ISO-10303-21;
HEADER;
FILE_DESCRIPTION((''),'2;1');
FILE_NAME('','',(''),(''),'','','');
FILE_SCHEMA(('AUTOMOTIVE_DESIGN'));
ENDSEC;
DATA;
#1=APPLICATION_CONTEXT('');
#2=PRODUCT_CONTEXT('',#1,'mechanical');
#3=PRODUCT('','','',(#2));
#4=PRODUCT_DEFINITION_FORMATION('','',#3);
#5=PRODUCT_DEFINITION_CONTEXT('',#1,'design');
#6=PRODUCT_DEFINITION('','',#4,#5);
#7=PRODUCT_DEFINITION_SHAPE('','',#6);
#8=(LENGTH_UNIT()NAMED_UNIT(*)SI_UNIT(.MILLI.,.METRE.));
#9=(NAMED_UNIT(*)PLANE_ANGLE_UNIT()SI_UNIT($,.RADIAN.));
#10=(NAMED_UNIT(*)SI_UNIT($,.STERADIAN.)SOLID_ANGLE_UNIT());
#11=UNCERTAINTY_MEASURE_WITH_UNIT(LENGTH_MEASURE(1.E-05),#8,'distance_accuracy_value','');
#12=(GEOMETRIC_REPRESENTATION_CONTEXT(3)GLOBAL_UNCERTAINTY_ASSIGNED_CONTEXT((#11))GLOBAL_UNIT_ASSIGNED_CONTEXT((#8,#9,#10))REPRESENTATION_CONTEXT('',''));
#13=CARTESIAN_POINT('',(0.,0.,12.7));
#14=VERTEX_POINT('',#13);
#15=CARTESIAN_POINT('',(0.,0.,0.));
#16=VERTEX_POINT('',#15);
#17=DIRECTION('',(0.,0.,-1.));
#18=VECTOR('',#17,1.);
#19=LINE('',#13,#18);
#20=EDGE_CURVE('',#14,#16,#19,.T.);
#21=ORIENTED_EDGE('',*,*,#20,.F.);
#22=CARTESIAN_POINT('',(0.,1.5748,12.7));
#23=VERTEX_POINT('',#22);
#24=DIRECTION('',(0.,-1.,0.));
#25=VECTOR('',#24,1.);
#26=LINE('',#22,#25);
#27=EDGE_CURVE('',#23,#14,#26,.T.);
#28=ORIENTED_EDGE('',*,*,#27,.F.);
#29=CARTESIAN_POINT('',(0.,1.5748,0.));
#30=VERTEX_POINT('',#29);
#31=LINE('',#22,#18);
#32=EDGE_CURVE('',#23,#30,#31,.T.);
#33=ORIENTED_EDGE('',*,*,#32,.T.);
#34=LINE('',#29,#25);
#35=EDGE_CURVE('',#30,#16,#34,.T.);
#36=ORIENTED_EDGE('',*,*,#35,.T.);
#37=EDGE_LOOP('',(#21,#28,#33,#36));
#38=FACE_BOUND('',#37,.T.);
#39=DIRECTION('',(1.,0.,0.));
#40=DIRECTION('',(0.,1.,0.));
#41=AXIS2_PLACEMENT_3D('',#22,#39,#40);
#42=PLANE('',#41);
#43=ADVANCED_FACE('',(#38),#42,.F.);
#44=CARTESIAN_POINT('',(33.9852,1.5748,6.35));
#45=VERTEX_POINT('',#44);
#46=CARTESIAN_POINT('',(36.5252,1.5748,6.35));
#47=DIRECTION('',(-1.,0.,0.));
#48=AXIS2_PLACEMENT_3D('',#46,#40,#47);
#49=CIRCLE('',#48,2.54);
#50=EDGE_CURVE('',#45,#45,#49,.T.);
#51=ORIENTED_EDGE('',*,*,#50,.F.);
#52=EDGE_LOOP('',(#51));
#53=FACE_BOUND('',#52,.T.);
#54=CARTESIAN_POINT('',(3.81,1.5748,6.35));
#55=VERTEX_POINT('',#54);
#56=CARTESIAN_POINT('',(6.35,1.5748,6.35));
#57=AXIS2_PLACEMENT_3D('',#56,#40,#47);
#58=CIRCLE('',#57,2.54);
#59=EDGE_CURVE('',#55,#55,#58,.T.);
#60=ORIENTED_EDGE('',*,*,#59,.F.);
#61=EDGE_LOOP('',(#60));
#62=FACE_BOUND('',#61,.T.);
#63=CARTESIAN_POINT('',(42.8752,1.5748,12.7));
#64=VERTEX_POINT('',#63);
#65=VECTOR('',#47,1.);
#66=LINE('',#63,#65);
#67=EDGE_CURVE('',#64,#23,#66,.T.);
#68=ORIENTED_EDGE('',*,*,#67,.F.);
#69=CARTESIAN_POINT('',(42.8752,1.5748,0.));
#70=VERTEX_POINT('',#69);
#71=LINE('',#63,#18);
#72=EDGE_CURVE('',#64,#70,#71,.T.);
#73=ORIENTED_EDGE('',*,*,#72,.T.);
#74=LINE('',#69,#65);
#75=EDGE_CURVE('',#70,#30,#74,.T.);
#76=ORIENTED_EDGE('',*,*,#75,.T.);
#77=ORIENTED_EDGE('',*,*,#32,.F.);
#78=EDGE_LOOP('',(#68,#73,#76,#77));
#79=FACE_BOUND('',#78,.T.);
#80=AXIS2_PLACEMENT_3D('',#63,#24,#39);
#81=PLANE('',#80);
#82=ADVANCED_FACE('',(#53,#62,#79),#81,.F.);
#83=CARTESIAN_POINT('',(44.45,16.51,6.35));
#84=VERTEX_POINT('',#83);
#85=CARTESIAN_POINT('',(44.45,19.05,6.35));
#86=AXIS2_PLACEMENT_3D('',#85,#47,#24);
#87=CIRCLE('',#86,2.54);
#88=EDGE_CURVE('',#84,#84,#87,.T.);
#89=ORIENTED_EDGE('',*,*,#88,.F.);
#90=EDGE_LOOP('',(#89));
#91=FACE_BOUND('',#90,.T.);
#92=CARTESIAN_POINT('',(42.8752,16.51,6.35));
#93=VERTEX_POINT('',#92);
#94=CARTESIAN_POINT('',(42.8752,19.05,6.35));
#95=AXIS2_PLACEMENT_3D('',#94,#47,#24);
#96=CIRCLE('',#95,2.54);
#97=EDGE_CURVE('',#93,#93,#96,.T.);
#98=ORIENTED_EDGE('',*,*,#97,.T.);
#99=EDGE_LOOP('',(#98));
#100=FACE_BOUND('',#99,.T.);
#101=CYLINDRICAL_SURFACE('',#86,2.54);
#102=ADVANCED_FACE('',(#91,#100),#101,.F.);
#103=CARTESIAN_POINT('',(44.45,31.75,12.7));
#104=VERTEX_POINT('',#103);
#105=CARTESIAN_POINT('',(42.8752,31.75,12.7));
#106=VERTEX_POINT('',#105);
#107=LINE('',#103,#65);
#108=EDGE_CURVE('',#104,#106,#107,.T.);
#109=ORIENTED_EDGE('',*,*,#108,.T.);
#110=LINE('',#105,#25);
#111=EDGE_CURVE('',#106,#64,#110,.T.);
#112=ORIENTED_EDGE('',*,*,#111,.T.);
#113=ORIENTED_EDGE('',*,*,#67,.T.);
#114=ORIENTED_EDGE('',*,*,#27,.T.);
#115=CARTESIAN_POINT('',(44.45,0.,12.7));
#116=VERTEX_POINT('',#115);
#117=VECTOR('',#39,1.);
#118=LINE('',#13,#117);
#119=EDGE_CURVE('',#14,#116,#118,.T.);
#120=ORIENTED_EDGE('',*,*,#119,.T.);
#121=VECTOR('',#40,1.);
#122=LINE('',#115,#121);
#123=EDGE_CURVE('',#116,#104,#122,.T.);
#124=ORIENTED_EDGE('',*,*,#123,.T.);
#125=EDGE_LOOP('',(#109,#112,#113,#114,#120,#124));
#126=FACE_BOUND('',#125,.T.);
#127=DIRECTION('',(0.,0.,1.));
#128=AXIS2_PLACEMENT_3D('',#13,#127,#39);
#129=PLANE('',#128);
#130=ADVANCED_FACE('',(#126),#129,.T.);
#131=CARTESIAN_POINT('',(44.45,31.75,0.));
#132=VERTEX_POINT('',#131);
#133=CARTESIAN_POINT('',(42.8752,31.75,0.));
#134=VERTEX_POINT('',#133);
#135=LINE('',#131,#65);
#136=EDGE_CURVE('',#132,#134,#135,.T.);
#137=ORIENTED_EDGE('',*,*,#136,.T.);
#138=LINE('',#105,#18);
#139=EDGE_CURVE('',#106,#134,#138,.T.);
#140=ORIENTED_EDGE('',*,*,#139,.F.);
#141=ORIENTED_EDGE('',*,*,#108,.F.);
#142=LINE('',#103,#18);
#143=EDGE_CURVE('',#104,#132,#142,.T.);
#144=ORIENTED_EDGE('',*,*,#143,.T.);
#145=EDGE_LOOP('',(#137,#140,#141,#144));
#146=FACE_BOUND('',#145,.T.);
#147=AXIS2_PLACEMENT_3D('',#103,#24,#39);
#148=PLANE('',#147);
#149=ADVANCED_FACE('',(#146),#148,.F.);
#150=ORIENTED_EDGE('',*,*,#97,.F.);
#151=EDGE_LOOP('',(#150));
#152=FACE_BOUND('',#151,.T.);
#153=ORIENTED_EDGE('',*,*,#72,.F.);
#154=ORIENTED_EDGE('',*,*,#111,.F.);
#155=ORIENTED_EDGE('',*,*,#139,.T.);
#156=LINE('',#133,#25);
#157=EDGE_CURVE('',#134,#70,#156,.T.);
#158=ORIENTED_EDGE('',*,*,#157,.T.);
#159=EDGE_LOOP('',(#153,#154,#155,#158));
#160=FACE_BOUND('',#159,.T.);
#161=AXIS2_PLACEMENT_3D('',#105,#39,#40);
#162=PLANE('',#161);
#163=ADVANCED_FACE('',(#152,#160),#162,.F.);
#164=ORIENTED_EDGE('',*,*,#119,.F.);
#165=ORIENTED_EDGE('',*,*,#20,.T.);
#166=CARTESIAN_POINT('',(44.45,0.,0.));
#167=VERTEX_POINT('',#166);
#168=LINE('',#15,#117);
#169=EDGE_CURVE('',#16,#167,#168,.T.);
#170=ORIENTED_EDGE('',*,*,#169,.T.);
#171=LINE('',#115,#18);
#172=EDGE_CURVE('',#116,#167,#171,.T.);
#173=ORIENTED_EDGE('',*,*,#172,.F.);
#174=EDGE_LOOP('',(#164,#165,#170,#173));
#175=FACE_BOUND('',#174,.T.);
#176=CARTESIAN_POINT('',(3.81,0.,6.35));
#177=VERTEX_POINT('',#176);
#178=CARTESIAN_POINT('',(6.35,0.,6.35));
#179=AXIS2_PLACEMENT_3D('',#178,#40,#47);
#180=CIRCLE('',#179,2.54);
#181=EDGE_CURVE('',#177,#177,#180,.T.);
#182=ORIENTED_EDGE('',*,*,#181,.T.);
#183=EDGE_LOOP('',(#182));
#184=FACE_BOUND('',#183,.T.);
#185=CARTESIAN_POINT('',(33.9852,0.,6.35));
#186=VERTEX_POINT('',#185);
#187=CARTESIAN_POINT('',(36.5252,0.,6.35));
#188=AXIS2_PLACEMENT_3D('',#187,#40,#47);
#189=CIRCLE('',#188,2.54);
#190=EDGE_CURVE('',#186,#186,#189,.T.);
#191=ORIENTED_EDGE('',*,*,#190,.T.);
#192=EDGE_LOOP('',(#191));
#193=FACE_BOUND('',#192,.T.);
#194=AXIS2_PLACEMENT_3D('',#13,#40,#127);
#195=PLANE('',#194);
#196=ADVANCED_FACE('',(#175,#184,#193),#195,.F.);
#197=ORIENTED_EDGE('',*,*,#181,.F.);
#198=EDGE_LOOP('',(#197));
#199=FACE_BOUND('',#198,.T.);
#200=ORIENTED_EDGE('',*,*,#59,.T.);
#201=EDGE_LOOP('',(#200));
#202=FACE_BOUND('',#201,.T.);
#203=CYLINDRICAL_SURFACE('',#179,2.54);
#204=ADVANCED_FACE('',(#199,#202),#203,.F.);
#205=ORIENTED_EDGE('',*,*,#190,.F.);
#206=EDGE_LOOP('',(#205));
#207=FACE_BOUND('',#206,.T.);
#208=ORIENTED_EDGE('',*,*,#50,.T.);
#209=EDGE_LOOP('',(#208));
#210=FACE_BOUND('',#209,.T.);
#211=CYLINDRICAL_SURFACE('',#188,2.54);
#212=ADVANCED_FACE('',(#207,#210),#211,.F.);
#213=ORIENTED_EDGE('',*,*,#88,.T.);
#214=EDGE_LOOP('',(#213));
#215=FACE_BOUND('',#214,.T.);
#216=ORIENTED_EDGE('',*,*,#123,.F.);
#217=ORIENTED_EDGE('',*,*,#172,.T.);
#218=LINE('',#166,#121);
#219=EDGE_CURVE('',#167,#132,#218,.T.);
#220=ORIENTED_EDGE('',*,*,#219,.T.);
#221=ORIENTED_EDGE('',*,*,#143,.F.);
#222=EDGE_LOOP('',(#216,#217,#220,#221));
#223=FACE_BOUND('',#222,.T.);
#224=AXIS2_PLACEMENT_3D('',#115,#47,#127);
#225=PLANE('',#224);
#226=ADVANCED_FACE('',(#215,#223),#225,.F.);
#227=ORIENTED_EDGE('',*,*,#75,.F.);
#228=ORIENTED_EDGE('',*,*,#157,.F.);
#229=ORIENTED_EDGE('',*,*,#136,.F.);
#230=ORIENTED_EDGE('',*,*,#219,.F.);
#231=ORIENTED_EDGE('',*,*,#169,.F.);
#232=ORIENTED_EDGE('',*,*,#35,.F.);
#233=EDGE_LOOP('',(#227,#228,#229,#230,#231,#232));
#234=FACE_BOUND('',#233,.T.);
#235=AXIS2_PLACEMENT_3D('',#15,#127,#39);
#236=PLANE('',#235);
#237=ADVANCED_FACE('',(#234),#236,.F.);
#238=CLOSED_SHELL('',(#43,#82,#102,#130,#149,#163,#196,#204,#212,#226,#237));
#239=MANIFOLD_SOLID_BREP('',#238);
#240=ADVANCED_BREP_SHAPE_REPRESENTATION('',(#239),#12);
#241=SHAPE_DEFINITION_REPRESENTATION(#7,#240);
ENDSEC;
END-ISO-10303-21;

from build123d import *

# Parameters (mm, degrees)
BOSS_EXTRUDE1_DEPTH = 12.7
SKETCH2_R           = 2.54
CUT_EXTRUDE1_DEPTH  = 2.5748
SKETCH3_R           = 2.54
CUT_EXTRUDE2_DEPTH  = 2.5748


with BuildPart() as part:
    # Sketch1 → Boss-Extrude1 (new body)
    with BuildSketch(Plane.XY):
        Polygon((0, 0), (44.45, 0), (44.45, 31.75), (42.8752, 31.75), (42.8752, 1.5748), (0, 1.5748), align=None)
    extrude(amount=BOSS_EXTRUDE1_DEPTH)

    # Sketch2 → Cut-Extrude1 (cut, through all)
    with BuildSketch(Plane.ZY.offset(-42.8752)):
        with Locations((6.35, 19.05)):
            Circle(SKETCH2_R)
    extrude(amount=-CUT_EXTRUDE1_DEPTH, mode=Mode.SUBTRACT)

    # Sketch3 → Cut-Extrude2 (cut, through all)
    with BuildSketch(Plane(origin=(0, 1.5748, 0), x_dir=(1, 0, 0), z_dir=(0, 1, 0))):
        with Locations((6.35, -6.35)):
            Circle(SKETCH3_R)
        with Locations((36.5252, -6.35)):
            Circle(SKETCH3_R)
    extrude(amount=-CUT_EXTRUDE2_DEPTH, mode=Mode.SUBTRACT)


solid = part.part
